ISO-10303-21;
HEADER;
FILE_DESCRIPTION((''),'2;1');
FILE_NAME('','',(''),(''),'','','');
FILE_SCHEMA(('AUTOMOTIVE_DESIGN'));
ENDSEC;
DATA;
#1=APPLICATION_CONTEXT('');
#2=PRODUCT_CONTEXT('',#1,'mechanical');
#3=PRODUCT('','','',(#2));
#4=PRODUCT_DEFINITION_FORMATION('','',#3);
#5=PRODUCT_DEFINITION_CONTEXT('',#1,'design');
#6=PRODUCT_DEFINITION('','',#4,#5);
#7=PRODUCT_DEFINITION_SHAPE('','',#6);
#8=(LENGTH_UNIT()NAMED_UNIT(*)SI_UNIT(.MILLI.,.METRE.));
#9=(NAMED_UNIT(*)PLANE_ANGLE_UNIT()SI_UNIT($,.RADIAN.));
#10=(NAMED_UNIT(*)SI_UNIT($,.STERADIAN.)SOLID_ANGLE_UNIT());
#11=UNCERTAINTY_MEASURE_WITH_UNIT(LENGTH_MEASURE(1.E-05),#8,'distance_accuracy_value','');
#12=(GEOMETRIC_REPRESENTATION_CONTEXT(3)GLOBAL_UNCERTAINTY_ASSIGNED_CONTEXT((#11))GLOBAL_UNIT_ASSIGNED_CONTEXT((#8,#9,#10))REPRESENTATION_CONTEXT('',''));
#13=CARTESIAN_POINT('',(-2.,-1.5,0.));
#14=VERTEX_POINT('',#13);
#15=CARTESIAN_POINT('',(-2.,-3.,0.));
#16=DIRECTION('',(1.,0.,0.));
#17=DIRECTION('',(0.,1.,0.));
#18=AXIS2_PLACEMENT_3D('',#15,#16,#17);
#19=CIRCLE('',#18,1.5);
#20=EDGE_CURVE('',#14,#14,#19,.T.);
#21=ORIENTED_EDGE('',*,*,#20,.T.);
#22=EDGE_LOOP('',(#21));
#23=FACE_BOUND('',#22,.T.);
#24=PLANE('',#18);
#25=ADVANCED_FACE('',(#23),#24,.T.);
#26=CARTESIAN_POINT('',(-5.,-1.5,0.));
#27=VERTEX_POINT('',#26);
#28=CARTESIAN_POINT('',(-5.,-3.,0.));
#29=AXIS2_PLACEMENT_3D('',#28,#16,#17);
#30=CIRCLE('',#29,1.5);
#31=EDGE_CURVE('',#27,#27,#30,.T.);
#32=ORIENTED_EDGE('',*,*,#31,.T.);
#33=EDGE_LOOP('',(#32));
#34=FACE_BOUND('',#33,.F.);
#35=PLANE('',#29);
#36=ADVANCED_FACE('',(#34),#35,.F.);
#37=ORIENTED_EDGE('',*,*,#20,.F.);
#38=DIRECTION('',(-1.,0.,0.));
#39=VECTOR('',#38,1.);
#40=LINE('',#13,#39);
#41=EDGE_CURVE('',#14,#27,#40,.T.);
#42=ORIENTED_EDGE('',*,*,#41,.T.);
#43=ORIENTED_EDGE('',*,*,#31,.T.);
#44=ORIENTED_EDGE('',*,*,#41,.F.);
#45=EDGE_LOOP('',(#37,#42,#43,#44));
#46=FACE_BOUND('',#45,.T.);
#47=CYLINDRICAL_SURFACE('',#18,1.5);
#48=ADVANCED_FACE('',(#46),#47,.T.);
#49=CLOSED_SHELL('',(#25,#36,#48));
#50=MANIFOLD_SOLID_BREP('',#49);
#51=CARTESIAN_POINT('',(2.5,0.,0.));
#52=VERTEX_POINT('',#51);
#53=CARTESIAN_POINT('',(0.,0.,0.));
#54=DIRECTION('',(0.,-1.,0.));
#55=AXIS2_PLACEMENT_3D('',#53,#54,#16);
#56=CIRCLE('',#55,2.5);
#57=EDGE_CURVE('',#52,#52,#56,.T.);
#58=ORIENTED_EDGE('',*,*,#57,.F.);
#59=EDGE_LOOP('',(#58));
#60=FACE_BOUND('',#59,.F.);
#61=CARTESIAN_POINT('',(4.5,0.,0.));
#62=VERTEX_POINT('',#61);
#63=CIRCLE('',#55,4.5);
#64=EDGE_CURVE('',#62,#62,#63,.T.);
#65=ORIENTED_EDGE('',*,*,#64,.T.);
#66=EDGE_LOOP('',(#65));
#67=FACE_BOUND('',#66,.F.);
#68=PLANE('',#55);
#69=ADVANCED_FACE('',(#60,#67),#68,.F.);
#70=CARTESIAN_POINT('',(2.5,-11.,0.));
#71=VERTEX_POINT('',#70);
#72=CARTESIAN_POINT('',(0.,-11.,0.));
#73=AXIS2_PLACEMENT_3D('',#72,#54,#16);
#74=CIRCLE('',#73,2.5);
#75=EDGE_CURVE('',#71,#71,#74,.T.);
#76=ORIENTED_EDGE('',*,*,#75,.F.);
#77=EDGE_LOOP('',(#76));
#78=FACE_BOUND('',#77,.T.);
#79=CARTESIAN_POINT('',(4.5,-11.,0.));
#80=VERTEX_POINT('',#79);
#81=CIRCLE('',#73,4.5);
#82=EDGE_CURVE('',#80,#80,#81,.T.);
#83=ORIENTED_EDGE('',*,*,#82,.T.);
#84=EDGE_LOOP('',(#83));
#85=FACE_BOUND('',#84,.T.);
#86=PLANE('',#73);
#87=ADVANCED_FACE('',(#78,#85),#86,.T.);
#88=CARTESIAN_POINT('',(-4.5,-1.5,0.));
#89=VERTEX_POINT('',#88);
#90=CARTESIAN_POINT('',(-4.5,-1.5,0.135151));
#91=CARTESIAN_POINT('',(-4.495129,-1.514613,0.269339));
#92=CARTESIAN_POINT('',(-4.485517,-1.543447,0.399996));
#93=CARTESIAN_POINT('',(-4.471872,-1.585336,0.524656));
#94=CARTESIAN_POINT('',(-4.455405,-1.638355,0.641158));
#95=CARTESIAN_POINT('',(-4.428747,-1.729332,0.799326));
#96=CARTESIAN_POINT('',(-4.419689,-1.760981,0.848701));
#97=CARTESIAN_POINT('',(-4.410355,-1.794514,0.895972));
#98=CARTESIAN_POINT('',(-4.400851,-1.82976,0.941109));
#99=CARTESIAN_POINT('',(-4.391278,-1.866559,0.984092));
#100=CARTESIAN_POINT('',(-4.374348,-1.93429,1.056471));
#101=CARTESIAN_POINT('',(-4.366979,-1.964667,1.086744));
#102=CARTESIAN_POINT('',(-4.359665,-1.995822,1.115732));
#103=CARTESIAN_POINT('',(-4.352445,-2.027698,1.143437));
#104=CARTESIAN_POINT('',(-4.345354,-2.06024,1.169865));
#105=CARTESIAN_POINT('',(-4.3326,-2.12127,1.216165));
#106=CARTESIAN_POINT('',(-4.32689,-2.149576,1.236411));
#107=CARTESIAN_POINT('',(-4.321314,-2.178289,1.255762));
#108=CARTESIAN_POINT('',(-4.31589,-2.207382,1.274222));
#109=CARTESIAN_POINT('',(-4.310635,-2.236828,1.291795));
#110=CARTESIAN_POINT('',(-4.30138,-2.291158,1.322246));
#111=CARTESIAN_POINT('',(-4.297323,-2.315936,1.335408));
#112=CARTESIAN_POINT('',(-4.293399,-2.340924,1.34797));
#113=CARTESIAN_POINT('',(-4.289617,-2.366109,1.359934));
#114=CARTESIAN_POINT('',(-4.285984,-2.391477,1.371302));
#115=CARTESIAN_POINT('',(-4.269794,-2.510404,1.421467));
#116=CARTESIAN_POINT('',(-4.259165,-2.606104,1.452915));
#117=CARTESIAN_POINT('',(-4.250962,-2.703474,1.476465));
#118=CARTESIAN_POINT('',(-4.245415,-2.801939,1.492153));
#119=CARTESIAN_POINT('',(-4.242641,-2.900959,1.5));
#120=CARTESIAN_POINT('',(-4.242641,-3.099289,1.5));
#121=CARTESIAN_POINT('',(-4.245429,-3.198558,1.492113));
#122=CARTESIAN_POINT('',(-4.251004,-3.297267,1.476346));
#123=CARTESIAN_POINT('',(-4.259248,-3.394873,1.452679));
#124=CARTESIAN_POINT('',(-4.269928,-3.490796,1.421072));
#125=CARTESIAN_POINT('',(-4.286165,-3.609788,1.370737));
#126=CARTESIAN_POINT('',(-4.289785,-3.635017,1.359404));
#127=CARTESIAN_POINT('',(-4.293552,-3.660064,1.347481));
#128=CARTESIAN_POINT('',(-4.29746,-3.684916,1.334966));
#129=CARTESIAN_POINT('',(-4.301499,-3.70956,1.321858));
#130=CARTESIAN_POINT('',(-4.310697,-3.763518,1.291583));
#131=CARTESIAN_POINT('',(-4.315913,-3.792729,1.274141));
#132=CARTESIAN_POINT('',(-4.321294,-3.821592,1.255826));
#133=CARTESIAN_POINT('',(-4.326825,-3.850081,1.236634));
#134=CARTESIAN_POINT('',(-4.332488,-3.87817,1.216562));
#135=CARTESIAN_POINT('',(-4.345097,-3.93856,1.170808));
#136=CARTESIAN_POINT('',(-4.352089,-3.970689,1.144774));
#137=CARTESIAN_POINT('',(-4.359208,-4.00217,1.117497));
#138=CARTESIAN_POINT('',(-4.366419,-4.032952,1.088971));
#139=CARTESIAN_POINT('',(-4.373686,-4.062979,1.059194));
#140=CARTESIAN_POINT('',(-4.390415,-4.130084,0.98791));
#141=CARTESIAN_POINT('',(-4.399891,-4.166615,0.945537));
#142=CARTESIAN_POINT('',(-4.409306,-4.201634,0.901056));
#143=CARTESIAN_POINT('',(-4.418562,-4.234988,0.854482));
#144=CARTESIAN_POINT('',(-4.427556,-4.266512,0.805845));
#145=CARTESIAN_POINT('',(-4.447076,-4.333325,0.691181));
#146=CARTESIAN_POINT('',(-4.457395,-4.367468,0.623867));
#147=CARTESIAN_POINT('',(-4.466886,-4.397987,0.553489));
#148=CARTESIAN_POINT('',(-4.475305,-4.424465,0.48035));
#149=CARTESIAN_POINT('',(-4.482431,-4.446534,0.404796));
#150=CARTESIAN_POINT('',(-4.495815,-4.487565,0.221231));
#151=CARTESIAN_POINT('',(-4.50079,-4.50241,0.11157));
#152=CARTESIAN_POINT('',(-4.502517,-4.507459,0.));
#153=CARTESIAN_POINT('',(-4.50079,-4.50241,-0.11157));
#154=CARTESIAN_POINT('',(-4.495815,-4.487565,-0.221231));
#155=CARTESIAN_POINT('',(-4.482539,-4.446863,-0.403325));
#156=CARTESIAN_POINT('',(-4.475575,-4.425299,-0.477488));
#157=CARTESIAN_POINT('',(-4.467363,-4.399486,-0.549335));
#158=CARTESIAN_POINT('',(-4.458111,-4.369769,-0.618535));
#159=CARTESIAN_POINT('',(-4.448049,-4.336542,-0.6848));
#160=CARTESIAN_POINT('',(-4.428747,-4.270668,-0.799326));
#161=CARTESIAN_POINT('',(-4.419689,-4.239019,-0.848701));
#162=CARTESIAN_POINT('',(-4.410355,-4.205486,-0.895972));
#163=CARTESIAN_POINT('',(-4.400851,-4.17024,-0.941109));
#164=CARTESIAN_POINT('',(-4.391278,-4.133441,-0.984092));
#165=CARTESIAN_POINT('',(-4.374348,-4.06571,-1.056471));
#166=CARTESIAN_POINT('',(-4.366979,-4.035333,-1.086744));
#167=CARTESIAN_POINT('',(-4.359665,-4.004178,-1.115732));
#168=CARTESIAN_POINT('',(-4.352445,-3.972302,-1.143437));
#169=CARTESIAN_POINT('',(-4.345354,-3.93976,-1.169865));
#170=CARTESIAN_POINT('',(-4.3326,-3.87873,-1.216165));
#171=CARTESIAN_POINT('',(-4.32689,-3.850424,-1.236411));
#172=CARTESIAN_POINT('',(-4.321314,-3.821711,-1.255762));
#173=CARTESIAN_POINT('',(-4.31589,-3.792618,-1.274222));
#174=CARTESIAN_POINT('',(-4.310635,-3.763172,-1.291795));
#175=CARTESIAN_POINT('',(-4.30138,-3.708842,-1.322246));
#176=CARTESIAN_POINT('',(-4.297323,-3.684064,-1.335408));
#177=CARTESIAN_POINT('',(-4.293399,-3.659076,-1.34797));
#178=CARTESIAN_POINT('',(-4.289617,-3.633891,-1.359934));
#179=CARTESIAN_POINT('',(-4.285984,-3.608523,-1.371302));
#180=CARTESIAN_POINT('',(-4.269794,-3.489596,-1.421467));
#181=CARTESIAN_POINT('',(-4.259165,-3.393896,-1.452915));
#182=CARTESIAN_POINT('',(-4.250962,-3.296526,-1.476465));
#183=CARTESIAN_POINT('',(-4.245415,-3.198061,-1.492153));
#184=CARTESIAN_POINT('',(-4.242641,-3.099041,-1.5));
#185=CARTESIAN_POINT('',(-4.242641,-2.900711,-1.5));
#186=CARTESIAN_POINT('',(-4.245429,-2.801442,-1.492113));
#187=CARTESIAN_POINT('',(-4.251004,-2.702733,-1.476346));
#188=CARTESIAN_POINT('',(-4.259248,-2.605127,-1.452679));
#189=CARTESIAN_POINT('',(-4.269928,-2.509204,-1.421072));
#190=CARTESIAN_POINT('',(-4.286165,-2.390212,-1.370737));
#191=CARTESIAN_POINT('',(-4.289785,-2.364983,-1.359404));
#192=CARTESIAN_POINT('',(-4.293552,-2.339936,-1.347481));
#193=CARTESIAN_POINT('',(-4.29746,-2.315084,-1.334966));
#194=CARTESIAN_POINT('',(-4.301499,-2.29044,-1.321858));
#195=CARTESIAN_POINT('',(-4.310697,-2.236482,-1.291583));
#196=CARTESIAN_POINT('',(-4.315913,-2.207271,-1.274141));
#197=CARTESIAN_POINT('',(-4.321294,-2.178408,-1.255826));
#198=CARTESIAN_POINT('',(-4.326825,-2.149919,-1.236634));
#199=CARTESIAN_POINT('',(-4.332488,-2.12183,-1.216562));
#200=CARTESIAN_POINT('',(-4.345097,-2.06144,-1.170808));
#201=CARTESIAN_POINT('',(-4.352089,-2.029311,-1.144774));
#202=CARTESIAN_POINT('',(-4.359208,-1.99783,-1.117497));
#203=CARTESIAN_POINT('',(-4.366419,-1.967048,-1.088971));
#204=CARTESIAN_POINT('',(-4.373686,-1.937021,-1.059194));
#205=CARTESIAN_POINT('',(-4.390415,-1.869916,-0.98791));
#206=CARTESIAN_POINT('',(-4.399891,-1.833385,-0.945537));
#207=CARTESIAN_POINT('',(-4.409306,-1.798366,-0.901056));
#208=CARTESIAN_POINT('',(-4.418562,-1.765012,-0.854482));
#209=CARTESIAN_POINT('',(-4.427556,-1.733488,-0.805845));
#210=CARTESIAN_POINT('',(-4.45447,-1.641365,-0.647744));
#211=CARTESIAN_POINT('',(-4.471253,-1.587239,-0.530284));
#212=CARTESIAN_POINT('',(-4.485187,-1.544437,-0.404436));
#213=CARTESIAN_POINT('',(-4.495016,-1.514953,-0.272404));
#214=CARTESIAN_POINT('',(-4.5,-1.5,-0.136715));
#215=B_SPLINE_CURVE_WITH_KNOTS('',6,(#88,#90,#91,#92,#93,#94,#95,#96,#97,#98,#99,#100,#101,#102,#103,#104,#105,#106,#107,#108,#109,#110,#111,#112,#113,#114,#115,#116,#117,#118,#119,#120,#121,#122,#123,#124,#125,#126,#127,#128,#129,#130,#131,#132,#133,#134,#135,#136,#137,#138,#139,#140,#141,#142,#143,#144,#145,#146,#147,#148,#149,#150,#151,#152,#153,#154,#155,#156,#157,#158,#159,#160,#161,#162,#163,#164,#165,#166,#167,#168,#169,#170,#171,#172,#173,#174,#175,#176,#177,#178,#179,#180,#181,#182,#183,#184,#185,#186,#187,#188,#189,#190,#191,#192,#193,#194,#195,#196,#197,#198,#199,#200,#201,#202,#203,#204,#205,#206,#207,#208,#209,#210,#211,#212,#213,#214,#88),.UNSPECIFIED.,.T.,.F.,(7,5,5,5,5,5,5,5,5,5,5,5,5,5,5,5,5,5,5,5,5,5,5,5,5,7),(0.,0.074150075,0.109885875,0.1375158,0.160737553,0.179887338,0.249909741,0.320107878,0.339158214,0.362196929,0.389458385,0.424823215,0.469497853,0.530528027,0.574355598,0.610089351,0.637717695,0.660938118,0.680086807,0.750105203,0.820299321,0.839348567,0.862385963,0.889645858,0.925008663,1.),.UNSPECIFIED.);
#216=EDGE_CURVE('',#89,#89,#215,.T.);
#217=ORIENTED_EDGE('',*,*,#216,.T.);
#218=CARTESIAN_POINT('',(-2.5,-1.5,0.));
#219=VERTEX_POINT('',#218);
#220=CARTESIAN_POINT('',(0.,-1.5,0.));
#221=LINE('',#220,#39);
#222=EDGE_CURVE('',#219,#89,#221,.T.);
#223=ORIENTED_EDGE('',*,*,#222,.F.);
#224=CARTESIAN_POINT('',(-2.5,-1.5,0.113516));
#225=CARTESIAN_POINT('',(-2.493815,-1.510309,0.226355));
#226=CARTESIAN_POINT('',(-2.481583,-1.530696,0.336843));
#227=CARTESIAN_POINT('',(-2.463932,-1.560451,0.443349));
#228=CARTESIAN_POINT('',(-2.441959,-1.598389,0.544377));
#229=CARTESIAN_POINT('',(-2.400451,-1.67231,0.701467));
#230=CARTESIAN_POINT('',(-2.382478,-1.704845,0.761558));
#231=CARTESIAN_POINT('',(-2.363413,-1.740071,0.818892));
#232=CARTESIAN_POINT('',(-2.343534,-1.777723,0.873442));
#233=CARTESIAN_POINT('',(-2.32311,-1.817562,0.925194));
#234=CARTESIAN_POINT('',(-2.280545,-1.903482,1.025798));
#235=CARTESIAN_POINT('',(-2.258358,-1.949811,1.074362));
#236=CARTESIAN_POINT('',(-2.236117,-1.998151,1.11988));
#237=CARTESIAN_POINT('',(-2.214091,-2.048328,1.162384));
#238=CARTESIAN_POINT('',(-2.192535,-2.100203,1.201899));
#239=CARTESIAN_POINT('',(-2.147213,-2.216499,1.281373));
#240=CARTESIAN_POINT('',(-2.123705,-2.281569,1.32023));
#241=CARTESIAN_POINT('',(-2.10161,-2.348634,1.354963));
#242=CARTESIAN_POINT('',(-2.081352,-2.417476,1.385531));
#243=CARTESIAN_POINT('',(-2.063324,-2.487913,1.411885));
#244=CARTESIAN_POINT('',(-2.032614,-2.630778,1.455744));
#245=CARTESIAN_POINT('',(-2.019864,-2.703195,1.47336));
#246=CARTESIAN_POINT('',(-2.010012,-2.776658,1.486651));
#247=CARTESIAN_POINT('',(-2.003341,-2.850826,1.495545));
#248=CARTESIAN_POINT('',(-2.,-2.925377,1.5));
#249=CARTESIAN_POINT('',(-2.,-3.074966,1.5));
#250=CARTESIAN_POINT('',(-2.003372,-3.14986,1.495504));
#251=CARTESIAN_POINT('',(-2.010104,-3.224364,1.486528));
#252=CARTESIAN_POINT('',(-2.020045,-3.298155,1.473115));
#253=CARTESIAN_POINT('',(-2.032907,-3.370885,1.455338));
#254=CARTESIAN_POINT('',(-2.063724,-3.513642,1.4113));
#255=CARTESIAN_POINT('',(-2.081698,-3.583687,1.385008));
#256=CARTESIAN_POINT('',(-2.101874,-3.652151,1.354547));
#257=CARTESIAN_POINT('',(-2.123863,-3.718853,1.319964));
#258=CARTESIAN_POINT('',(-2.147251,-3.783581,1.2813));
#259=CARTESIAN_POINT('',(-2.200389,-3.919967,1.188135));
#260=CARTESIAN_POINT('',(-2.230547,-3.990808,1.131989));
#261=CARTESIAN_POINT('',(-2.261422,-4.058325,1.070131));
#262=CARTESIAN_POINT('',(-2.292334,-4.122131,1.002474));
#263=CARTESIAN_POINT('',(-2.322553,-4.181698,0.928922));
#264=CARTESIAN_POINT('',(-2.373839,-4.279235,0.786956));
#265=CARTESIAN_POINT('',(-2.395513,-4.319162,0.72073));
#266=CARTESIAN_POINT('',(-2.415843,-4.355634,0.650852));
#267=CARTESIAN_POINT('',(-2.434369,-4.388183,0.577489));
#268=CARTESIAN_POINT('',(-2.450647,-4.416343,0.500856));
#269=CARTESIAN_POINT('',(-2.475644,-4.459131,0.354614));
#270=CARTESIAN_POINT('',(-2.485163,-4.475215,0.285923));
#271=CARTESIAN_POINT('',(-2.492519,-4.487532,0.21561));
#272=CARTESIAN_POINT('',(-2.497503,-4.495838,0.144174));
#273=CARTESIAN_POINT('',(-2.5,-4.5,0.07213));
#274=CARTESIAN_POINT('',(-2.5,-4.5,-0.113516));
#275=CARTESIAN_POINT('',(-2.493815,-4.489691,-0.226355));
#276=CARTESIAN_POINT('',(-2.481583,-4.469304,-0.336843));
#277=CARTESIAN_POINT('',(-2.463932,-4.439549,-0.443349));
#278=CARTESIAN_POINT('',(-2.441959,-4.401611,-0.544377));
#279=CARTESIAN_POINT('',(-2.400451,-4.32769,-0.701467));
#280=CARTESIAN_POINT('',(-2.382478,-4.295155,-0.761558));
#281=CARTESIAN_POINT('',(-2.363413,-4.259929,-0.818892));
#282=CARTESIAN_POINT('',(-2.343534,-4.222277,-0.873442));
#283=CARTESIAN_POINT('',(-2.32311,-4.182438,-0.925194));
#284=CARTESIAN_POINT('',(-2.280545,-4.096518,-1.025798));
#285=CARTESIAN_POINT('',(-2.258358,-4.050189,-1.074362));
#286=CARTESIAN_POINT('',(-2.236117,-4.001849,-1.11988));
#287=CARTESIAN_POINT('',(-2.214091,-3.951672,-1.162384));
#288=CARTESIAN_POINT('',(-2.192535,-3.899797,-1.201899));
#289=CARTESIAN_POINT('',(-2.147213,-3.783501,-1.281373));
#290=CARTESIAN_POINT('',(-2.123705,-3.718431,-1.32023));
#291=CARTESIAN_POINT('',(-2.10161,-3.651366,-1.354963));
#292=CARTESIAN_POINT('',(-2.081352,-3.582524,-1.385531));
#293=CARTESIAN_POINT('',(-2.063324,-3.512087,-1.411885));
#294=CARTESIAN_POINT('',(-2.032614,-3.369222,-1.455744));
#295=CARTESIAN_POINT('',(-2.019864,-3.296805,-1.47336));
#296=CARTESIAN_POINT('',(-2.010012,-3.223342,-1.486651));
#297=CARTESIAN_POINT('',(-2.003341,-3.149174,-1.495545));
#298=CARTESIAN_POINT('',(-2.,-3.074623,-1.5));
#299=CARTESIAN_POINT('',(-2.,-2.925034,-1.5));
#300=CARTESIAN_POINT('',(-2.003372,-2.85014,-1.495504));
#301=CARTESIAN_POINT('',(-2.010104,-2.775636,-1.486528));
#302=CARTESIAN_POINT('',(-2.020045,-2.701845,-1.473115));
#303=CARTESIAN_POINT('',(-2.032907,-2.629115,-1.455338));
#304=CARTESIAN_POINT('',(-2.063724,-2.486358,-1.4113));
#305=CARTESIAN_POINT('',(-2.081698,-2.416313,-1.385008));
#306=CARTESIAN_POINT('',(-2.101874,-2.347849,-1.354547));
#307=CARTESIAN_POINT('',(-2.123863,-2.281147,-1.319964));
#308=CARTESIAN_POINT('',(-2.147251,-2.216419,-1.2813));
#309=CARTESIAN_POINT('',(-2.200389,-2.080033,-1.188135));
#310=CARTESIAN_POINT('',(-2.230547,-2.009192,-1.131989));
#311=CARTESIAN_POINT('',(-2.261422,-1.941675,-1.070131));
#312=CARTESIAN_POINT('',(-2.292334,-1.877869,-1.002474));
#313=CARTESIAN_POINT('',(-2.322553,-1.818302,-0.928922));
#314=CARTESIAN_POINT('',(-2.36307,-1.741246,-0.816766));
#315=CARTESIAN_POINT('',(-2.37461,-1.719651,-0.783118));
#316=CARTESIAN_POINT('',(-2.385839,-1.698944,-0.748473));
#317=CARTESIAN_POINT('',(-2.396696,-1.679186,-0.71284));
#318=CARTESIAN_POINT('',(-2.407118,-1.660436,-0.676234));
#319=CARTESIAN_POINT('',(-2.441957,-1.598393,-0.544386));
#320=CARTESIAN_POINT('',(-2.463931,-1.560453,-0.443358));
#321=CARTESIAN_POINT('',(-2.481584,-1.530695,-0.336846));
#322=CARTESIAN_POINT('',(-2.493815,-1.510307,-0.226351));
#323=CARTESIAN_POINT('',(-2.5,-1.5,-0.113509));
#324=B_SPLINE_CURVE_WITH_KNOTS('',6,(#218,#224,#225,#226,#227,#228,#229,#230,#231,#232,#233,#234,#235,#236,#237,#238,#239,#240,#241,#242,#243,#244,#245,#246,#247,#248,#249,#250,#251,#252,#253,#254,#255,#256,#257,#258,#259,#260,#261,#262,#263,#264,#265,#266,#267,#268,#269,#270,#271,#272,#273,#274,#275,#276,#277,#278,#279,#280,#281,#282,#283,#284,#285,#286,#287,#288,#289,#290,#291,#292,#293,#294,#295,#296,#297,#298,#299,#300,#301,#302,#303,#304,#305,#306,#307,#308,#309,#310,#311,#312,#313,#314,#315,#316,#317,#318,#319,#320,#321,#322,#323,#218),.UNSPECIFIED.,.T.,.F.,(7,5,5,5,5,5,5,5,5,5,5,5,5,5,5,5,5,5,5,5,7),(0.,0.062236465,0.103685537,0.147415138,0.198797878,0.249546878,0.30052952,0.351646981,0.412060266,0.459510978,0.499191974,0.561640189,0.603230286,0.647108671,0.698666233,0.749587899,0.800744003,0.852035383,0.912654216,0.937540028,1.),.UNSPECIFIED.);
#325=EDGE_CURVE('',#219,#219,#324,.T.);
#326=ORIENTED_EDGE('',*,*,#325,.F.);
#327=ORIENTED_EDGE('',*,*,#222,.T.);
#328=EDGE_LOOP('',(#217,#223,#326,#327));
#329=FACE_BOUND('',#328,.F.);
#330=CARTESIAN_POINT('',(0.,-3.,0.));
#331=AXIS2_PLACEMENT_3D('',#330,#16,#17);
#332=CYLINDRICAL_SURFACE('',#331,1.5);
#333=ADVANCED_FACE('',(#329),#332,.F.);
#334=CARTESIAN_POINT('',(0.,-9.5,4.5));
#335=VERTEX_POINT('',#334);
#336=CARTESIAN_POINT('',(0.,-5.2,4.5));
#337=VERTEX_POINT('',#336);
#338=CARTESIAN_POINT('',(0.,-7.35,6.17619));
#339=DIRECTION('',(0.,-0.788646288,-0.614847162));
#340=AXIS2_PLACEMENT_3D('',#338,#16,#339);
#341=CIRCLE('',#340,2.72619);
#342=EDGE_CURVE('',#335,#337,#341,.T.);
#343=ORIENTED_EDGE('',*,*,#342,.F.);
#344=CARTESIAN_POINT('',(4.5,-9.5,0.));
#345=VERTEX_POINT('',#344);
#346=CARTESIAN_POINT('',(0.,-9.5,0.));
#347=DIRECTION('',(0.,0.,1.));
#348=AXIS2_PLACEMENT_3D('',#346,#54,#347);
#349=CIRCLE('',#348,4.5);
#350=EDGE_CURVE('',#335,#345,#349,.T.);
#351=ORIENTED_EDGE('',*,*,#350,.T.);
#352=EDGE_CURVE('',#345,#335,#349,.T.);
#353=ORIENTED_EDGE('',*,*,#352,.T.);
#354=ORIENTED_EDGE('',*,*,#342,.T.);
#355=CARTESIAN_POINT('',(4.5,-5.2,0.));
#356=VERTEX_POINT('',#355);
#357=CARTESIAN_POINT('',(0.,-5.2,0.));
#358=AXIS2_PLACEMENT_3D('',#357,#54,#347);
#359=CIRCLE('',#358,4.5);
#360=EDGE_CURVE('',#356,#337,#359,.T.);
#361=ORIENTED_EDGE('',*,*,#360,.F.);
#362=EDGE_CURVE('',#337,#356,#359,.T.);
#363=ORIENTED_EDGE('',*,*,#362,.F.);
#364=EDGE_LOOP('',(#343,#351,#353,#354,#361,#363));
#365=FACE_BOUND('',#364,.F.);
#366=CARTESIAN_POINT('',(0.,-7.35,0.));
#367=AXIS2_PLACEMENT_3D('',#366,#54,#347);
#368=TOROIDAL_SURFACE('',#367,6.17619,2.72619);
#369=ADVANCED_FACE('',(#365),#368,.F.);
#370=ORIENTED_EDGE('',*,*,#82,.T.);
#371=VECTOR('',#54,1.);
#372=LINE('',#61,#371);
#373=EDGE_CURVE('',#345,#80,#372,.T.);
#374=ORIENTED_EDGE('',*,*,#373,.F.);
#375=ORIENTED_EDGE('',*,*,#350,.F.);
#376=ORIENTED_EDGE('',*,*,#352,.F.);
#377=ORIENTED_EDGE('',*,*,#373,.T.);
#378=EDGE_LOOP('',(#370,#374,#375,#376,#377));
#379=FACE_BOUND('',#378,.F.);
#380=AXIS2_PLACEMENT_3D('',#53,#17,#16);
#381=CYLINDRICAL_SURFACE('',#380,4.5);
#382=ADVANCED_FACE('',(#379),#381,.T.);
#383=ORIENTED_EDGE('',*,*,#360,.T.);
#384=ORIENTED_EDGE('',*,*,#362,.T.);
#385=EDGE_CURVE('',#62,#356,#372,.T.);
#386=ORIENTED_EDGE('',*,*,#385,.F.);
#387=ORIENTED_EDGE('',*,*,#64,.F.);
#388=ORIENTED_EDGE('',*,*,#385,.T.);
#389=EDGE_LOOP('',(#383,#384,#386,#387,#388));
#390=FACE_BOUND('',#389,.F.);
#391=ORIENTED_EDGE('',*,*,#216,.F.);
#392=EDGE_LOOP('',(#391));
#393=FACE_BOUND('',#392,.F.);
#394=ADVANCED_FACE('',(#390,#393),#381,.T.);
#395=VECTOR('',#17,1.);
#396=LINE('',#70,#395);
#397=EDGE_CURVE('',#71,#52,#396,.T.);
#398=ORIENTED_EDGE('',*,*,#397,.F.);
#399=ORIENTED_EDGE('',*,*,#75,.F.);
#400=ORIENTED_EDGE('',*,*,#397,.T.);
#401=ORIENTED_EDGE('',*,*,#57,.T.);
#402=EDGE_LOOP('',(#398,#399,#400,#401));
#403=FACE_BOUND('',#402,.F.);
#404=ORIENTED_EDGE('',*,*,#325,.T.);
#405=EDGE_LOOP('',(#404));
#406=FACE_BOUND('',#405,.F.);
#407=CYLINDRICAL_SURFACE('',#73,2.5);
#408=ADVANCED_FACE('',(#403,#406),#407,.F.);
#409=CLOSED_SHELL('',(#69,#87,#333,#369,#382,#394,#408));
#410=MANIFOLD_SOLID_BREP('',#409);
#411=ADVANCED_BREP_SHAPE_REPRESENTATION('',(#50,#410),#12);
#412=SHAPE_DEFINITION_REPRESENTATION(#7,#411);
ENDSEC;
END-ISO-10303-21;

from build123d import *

# Parameters (mm, degrees)
F0_R     = 4.5
F1_DEPTH = 11
F2_R     = 2.5
F3_DEPTH = 11.001
F6_R     = 1.5
F7_DEPTH = 4.501
F8_START = -2
F8_DEPTH = 3


with BuildPart() as f1:
    # F0 (on Front) → F1 (new body)
    with BuildSketch(Plane.XZ):
        Circle(F0_R)
    extrude(amount=F1_DEPTH)

    # F2 (on face) → F3 (cut, through all)
    with BuildSketch(Plane.XZ.offset(11)):
        Circle(F2_R)
    extrude(amount=-F3_DEPTH, mode=Mode.SUBTRACT)

    # F4 (on Right) → F5 (revolve, cut)
    with BuildSketch(Plane.YZ):
        with BuildLine():
            Line((-5.2, 4.5), (-9.5, 4.5))
            ThreePointArc((-9.5, 4.5), (-7.35, 3.45), (-5.2, 4.5))
        make_face()
    revolve(axis=Axis((0, -8.025, 0), (0, -1, 0)), mode=Mode.SUBTRACT)

    # F6 (on Right) → F7 (cut, through all)
    with BuildSketch(Plane.YZ):
        with Locations((-3, 0)):
            Circle(F6_R)
    extrude(amount=-F7_DEPTH, mode=Mode.SUBTRACT)


with BuildPart() as f8:
    # F6 (on Right) → F8 (new body)
    with BuildSketch(Plane.YZ.offset(F8_START)):
        with Locations((-3, 0)):
            Circle(F6_R)
    extrude(amount=-F8_DEPTH)


solid = Compound([f1.part, f8.part])
